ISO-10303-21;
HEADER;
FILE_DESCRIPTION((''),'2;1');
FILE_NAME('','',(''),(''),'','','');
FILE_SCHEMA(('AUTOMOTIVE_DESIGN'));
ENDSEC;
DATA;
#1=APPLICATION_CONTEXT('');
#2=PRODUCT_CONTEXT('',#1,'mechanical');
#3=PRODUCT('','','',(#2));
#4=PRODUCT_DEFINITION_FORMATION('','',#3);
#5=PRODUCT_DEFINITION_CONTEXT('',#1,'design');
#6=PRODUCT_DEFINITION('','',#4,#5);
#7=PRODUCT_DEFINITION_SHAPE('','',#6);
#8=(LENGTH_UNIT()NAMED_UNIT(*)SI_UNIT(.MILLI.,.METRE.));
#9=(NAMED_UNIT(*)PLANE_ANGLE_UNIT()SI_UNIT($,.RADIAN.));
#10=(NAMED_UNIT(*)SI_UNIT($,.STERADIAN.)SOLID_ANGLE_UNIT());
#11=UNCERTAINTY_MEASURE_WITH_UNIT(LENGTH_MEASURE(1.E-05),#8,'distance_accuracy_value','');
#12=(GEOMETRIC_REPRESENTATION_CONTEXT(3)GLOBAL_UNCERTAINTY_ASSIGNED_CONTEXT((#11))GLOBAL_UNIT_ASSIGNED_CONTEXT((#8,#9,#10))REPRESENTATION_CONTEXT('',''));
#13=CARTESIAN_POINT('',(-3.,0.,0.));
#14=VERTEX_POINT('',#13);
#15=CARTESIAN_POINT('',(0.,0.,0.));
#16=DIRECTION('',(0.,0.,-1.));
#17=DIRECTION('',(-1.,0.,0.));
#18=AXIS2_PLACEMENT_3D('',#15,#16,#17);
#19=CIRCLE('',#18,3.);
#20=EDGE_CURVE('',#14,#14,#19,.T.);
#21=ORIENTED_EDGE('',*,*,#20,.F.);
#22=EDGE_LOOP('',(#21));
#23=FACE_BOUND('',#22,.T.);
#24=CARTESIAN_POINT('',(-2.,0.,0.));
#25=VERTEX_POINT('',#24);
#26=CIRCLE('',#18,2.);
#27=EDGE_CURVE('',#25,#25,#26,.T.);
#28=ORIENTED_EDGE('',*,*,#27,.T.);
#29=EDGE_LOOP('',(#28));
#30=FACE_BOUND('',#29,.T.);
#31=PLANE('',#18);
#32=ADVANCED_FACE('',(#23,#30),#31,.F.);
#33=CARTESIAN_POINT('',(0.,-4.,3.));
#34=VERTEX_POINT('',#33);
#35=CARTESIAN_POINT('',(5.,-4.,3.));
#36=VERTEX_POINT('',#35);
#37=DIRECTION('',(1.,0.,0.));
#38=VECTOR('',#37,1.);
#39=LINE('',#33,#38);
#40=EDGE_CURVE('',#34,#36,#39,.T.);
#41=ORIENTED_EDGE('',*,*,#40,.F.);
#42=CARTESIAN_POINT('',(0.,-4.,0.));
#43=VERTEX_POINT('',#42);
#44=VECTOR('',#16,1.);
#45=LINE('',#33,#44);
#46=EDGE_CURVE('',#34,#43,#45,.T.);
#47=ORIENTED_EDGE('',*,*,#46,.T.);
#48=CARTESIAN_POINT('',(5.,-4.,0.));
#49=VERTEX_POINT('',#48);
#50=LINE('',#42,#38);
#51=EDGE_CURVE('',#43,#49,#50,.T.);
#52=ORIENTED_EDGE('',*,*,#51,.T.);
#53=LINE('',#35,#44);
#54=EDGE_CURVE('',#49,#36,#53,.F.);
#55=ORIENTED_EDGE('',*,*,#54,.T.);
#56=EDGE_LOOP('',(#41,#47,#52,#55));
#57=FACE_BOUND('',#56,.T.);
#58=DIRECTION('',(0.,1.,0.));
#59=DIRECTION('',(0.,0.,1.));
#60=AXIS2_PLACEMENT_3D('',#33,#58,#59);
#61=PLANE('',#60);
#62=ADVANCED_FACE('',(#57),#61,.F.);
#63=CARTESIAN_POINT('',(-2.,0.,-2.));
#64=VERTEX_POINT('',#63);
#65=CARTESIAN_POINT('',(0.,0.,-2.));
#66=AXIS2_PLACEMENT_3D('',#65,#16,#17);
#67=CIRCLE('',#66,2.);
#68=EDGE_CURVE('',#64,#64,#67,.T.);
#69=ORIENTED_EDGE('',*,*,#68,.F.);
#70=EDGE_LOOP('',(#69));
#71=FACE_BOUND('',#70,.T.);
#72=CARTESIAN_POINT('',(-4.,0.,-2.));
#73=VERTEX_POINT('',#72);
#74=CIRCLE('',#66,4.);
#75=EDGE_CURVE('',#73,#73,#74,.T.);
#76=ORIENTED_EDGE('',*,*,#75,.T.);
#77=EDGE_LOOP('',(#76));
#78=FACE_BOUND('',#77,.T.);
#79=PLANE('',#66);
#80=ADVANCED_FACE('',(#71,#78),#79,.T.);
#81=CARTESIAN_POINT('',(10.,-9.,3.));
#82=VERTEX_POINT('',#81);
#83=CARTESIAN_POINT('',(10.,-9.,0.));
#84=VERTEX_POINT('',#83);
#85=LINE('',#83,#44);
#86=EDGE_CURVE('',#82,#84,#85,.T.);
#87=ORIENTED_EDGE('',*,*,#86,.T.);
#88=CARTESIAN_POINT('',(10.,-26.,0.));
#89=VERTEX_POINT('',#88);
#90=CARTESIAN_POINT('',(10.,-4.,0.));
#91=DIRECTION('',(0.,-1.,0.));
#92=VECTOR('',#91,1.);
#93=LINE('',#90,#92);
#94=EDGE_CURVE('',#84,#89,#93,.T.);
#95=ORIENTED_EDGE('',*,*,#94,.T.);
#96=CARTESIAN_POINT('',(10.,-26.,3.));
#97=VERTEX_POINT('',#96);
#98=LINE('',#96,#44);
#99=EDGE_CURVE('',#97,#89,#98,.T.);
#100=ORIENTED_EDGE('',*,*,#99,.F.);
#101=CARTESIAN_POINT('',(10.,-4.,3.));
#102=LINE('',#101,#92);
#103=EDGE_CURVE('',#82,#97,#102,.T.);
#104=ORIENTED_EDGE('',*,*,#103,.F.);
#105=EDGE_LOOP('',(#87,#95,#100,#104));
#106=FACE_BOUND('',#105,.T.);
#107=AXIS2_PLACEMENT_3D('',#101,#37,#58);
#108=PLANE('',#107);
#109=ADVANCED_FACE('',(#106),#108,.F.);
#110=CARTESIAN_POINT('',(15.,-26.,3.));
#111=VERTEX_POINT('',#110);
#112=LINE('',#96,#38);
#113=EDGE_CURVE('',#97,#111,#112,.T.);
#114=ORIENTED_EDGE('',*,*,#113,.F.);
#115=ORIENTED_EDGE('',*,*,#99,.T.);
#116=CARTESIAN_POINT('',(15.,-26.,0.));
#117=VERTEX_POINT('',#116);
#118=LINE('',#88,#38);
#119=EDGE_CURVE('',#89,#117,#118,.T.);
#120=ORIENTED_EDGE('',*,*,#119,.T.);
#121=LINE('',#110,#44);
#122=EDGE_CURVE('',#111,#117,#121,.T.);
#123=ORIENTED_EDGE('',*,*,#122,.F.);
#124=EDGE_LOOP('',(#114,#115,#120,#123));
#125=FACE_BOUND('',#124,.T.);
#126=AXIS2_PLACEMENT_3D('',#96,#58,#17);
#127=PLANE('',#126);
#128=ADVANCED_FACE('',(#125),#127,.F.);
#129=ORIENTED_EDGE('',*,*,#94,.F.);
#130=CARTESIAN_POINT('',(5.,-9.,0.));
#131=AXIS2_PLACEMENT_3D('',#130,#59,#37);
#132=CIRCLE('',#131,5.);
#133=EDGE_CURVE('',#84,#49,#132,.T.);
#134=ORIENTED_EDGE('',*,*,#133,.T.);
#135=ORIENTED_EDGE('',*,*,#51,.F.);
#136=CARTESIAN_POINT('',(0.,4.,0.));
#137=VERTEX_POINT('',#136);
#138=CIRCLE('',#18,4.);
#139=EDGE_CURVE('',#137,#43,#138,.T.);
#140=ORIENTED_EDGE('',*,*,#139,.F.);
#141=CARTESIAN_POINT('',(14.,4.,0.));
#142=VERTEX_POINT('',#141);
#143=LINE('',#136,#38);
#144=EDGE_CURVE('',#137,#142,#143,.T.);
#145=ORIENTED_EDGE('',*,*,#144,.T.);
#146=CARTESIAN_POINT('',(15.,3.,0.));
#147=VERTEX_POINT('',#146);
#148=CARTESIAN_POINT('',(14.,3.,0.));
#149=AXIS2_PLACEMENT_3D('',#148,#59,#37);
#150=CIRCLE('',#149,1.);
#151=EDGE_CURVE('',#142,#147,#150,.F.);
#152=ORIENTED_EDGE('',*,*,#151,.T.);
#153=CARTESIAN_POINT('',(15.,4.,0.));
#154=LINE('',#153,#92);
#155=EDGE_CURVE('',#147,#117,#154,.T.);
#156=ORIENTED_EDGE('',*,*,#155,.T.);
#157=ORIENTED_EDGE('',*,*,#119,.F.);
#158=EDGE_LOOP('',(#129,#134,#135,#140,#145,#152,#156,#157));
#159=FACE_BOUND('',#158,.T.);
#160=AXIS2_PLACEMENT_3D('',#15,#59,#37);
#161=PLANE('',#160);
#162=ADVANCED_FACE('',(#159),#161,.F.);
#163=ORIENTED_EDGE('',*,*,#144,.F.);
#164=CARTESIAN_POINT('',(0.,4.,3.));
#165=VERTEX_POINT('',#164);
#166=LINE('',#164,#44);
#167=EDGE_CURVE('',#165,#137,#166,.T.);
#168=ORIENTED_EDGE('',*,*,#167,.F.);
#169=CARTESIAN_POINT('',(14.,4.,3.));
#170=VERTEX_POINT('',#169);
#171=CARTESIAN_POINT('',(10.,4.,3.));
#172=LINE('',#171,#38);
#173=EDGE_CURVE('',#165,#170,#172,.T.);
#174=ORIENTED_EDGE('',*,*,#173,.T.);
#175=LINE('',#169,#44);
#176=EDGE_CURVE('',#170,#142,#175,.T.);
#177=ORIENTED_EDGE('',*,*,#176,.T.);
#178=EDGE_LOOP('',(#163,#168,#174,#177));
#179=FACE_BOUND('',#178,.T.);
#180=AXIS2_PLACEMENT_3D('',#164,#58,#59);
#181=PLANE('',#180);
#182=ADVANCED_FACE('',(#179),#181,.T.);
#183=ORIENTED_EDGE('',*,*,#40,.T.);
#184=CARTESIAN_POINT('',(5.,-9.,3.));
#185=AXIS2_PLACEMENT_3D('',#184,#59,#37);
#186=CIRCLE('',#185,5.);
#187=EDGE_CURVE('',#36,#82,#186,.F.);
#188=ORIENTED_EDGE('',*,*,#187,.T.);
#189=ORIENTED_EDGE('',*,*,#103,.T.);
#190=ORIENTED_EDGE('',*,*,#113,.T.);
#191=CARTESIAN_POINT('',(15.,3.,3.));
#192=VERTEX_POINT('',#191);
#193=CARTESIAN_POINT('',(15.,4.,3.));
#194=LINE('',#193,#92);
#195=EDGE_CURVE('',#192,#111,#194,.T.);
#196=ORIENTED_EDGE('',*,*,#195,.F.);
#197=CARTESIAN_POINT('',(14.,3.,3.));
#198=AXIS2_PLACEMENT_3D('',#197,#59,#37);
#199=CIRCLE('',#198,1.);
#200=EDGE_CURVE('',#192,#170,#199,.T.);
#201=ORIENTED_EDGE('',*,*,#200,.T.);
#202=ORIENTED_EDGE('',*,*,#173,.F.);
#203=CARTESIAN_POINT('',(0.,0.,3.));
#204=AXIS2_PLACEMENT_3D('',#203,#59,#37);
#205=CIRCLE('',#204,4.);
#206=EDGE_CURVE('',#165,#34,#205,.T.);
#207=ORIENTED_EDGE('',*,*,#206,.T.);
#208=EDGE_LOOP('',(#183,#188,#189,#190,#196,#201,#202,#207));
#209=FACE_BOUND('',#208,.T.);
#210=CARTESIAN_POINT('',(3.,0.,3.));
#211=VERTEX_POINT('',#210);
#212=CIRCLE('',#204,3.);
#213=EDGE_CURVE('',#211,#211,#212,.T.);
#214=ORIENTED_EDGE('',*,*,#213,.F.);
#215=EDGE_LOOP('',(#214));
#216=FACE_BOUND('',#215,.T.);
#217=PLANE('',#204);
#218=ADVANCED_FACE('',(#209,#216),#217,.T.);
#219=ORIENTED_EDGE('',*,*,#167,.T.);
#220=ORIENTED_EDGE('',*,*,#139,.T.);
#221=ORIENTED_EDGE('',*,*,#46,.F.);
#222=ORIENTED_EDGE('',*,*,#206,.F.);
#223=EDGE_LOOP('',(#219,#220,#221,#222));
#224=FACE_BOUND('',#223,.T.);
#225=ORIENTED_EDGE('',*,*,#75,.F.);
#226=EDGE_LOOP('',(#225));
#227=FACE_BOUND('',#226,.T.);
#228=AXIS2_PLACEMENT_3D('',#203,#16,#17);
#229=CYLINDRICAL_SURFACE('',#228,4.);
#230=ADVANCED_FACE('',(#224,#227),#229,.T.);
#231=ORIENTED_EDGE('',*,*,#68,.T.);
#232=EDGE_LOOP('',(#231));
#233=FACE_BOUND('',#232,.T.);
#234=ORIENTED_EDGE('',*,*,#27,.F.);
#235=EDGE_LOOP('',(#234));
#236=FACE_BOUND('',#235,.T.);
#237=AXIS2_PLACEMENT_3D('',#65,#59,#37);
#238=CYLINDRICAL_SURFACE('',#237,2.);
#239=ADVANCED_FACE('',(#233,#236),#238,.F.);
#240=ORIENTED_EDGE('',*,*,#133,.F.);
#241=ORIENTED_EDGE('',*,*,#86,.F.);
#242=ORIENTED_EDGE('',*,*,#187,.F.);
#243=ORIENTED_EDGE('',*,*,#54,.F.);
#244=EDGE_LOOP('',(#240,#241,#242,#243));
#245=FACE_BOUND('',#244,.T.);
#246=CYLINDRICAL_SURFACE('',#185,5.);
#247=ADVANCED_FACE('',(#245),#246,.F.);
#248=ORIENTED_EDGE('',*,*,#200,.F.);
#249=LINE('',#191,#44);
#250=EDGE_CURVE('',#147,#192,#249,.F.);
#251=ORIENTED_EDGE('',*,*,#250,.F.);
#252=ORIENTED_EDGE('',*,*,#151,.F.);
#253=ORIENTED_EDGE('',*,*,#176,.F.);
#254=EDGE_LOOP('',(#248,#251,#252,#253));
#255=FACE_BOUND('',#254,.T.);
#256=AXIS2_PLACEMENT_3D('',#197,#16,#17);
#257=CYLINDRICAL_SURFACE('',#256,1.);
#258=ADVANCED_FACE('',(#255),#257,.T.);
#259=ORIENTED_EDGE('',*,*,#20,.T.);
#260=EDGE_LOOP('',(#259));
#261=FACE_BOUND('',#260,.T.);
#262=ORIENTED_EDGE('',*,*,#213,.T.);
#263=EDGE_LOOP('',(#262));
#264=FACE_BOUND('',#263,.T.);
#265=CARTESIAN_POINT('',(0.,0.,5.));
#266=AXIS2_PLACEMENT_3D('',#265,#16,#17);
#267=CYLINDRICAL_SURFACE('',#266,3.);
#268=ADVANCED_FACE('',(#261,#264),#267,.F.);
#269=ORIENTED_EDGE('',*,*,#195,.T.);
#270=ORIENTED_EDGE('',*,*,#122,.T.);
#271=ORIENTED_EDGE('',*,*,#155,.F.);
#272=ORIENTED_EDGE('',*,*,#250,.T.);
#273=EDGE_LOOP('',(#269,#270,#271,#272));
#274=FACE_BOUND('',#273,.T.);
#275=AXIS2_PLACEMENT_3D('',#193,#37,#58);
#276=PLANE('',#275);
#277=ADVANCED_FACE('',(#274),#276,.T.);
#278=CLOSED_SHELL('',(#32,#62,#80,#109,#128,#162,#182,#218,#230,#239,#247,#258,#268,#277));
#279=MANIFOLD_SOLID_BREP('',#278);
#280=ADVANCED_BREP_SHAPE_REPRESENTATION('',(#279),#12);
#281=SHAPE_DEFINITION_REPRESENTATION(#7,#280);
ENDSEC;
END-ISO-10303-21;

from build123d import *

# Parameters (mm, degrees)
BOSS_EXTRUDE1_DEPTH = 3
SKETCH2_R           = 3
CUT_EXTRUDE1_DEPTH  = 5
FILLET1_R           = 5
FILLET3_R           = 1
SKETCH4_R           = 4
SKETCH4_R_2         = 2
BOSS_EXTRUDE2_DEPTH = 2


with BuildPart() as part:
    # Sketch1 → Boss-Extrude1 (new body)
    with BuildSketch(Plane.XY):
        with BuildLine():
            Line((0, -4), (10, -4))
            Line((10, -4), (10, -26))
            Line((10, -26), (15, -26))
            Line((15, -26), (15, 4))
            Line((15, 4), (10, 4))
            Line((10, 4), (0, 4))
            ThreePointArc((0, 4), (-4, 0), (0, -4))
        make_face()
    extrude(amount=BOSS_EXTRUDE1_DEPTH)

    # Sketch2 → Cut-Extrude1 (cut)
    with BuildSketch(Plane(origin=(0, 0, 0), x_dir=(-1, 0, 0), z_dir=(0, 0, -1))):
        Circle(SKETCH2_R)
    extrude(amount=-CUT_EXTRUDE1_DEPTH, mode=Mode.SUBTRACT)

    # Fillet1
    fillet1_edges = [part.edges().sort_by_distance(p)[0] for p in [
        (10, -4, 1.5),
    ]]
    fillet(fillet1_edges, radius=FILLET1_R)

    # Fillet3
    fillet3_edges = [part.edges().sort_by_distance(p)[0] for p in [
        (15, 4, 1.5),
    ]]
    fillet(fillet3_edges, radius=FILLET3_R)

    # Sketch4 → Boss-Extrude2 (add)
    with BuildSketch(Plane(origin=(0, 0, 0), x_dir=(-1, 0, 0), z_dir=(0, 0, -1))):
        Circle(SKETCH4_R)
        Circle(SKETCH4_R_2, mode=Mode.SUBTRACT)
    extrude(amount=BOSS_EXTRUDE2_DEPTH)


solid = part.part
